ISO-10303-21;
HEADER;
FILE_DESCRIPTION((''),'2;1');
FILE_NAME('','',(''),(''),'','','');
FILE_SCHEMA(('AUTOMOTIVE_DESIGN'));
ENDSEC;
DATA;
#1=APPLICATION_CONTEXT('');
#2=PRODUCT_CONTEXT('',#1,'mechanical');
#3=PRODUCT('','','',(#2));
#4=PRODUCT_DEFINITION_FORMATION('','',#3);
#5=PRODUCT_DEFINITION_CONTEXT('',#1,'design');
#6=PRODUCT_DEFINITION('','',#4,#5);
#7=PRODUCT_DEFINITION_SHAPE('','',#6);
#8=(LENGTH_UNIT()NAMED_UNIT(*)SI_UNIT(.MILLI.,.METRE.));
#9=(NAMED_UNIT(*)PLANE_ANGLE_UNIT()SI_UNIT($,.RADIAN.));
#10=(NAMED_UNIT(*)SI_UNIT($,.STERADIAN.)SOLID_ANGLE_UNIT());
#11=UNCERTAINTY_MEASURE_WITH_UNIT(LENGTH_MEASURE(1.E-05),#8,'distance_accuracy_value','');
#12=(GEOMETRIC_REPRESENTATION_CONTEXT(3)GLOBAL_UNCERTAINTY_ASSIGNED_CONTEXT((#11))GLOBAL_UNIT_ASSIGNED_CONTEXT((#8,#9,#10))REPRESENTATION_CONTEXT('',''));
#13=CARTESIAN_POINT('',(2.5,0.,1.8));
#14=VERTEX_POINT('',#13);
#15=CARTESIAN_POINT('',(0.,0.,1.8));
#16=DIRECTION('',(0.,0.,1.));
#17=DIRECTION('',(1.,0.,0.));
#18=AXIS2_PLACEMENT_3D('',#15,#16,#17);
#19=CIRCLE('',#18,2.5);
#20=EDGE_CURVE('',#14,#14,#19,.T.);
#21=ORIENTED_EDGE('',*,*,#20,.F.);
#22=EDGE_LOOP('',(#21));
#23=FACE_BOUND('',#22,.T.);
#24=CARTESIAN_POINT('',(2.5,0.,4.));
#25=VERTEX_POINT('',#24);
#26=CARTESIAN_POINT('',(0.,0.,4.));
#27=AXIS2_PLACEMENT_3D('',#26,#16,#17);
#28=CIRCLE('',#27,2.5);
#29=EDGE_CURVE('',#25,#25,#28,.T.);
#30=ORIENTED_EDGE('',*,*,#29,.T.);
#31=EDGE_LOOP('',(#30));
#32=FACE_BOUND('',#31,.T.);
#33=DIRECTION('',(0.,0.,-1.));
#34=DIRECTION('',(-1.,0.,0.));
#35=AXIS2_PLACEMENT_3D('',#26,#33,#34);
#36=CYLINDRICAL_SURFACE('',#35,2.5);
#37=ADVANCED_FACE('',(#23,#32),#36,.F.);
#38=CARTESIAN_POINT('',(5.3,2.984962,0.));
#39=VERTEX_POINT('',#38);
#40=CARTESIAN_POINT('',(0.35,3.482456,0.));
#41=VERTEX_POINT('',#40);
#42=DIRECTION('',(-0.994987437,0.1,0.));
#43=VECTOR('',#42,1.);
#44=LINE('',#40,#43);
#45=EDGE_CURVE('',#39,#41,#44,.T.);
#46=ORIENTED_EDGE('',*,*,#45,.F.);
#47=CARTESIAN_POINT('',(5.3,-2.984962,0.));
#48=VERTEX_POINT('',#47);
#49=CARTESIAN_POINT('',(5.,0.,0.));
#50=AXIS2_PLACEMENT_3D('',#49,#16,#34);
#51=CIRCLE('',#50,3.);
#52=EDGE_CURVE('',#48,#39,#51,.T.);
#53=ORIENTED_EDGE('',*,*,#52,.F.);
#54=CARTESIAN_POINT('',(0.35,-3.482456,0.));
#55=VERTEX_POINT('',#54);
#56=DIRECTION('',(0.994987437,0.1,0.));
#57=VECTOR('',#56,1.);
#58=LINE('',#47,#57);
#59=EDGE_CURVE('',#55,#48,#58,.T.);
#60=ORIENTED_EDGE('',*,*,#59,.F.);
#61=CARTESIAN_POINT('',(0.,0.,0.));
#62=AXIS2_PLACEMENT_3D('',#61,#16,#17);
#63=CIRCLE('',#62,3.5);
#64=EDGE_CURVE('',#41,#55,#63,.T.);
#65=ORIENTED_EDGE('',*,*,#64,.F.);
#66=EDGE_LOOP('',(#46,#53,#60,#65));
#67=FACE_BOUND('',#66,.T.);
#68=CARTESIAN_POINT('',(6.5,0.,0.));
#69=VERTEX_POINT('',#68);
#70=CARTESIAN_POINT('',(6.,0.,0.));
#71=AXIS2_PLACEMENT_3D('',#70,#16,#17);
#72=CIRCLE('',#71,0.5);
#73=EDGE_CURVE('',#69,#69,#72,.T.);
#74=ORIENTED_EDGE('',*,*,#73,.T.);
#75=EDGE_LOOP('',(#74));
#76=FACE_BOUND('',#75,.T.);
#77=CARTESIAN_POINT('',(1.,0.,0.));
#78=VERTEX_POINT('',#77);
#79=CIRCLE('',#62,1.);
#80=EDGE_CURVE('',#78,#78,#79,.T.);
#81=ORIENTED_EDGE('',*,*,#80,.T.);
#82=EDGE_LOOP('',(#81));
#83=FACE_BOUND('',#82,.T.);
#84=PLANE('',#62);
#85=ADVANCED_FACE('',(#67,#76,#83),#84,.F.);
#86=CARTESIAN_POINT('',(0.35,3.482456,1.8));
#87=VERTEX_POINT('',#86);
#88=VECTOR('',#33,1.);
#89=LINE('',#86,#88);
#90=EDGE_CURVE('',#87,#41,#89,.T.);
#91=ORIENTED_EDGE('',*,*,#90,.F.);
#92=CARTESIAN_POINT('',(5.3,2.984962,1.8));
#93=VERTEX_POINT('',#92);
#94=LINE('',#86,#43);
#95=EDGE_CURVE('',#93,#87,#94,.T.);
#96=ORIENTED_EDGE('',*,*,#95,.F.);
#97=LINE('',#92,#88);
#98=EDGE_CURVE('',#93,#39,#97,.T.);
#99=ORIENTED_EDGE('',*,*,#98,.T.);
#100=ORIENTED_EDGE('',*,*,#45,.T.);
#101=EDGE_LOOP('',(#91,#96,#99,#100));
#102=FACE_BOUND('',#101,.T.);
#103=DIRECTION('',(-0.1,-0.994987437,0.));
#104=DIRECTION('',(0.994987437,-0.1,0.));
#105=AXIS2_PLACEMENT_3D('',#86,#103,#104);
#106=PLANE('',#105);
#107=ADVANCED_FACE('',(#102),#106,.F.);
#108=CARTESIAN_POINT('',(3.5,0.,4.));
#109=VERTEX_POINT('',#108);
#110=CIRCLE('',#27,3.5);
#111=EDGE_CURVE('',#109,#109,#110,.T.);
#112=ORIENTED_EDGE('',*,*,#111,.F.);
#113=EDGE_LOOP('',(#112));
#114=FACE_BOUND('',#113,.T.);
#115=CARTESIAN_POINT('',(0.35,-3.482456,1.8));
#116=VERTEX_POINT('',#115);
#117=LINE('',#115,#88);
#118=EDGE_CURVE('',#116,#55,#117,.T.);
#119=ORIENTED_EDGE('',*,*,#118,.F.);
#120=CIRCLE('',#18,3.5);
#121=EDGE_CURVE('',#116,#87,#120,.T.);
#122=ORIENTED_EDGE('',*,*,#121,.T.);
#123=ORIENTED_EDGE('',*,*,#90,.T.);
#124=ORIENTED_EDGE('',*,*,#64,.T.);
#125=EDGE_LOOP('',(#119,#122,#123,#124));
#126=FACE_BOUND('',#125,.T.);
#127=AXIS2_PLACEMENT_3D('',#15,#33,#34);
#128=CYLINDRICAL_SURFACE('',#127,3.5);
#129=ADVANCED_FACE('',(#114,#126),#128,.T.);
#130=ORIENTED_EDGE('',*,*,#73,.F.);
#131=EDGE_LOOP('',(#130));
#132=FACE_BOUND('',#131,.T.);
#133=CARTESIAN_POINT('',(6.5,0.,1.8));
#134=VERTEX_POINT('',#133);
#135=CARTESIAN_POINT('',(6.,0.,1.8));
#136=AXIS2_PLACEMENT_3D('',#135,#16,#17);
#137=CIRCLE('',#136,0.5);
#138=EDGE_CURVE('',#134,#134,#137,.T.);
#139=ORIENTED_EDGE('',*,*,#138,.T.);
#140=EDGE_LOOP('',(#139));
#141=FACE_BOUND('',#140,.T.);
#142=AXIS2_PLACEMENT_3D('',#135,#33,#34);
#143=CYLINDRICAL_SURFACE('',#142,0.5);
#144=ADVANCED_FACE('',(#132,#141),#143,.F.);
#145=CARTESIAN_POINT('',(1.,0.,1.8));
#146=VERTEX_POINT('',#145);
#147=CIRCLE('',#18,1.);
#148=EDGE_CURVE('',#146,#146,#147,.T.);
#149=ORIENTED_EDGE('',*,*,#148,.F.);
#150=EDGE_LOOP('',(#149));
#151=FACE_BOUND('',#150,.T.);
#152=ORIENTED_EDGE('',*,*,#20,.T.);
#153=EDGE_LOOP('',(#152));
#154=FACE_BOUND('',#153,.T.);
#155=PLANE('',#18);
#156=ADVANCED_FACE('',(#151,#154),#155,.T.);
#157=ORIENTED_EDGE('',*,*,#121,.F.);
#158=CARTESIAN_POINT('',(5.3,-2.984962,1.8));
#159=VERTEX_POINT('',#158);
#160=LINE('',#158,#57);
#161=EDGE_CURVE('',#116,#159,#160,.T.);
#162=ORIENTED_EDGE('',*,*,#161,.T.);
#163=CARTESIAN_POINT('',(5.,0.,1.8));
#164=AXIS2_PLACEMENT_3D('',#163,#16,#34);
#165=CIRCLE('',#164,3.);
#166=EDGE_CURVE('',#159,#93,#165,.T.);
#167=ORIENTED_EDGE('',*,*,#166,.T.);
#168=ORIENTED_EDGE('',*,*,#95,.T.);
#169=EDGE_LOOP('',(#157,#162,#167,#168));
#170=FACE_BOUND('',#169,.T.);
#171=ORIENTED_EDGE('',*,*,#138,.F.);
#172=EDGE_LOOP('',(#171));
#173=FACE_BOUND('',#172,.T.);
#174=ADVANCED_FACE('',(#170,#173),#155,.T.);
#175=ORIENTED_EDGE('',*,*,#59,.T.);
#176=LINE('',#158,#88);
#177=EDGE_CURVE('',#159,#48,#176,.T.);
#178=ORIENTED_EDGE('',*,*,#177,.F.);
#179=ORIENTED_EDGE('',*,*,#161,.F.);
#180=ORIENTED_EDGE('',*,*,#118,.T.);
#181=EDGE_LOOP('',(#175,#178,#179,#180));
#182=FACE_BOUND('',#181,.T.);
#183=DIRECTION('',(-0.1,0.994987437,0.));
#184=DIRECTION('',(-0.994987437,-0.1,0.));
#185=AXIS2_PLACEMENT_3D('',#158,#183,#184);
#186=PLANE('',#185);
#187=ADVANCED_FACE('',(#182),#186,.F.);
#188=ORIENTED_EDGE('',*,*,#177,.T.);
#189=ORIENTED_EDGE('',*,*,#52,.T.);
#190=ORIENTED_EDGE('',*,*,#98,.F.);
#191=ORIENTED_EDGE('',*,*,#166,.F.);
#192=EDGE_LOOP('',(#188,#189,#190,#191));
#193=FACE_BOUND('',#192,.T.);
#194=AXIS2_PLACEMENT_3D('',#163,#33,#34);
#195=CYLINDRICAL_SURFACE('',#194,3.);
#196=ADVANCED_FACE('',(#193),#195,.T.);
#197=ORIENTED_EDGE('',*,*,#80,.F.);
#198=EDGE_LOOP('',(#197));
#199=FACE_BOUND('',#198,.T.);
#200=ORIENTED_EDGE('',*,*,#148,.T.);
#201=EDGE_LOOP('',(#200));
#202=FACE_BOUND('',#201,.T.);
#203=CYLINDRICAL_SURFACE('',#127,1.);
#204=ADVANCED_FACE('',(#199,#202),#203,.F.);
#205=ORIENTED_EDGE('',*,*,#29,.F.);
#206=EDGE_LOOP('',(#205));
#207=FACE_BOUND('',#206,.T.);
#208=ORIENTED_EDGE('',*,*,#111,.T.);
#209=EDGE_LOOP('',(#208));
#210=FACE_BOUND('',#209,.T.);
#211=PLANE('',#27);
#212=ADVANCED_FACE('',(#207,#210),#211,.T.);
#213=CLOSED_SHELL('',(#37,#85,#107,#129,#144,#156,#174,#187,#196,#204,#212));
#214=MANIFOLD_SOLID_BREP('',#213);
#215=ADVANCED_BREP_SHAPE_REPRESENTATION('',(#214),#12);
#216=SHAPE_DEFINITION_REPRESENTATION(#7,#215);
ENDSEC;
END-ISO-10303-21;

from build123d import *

# Parameters (mm, degrees)
SKETCH1_R           = 1
SKETCH1_R_2         = 0.5
BOSS_EXTRUDE3_DEPTH = 1.8
SKETCH4_R           = 3.5
SKETCH4_R_2         = 2.5
BOSS_EXTRUDE4_DEPTH = 2.2


with BuildPart() as part:
    # Sketch1 → Boss-Extrude3 (new body)
    with BuildSketch(Plane.XY):
        with BuildLine():
            Line((0.35, 3.48245603), (5.3, 2.984962311))
            ThreePointArc((5.3, 2.984962311), (8, 0), (5.3, -2.984962311))
            Line((5.3, -2.984962311), (0.35, -3.48245603))
            ThreePointArc((0.35, -3.48245603), (-3.5, 0), (0.35, 3.48245603))
        make_face()
        Circle(SKETCH1_R, mode=Mode.SUBTRACT)
        with Locations((6, 0)):
            Circle(SKETCH1_R_2, mode=Mode.SUBTRACT)
    extrude(amount=BOSS_EXTRUDE3_DEPTH)

    # Sketch4 → Boss-Extrude4 (add)
    with BuildSketch(Plane.XY.offset(1.8)):
        with Locations(Location((0, 0, 0), (0, 0, 275.739170477))):
            Circle(SKETCH4_R)
        Circle(SKETCH4_R_2, mode=Mode.SUBTRACT)
    extrude(amount=BOSS_EXTRUDE4_DEPTH)


solid = part.part
